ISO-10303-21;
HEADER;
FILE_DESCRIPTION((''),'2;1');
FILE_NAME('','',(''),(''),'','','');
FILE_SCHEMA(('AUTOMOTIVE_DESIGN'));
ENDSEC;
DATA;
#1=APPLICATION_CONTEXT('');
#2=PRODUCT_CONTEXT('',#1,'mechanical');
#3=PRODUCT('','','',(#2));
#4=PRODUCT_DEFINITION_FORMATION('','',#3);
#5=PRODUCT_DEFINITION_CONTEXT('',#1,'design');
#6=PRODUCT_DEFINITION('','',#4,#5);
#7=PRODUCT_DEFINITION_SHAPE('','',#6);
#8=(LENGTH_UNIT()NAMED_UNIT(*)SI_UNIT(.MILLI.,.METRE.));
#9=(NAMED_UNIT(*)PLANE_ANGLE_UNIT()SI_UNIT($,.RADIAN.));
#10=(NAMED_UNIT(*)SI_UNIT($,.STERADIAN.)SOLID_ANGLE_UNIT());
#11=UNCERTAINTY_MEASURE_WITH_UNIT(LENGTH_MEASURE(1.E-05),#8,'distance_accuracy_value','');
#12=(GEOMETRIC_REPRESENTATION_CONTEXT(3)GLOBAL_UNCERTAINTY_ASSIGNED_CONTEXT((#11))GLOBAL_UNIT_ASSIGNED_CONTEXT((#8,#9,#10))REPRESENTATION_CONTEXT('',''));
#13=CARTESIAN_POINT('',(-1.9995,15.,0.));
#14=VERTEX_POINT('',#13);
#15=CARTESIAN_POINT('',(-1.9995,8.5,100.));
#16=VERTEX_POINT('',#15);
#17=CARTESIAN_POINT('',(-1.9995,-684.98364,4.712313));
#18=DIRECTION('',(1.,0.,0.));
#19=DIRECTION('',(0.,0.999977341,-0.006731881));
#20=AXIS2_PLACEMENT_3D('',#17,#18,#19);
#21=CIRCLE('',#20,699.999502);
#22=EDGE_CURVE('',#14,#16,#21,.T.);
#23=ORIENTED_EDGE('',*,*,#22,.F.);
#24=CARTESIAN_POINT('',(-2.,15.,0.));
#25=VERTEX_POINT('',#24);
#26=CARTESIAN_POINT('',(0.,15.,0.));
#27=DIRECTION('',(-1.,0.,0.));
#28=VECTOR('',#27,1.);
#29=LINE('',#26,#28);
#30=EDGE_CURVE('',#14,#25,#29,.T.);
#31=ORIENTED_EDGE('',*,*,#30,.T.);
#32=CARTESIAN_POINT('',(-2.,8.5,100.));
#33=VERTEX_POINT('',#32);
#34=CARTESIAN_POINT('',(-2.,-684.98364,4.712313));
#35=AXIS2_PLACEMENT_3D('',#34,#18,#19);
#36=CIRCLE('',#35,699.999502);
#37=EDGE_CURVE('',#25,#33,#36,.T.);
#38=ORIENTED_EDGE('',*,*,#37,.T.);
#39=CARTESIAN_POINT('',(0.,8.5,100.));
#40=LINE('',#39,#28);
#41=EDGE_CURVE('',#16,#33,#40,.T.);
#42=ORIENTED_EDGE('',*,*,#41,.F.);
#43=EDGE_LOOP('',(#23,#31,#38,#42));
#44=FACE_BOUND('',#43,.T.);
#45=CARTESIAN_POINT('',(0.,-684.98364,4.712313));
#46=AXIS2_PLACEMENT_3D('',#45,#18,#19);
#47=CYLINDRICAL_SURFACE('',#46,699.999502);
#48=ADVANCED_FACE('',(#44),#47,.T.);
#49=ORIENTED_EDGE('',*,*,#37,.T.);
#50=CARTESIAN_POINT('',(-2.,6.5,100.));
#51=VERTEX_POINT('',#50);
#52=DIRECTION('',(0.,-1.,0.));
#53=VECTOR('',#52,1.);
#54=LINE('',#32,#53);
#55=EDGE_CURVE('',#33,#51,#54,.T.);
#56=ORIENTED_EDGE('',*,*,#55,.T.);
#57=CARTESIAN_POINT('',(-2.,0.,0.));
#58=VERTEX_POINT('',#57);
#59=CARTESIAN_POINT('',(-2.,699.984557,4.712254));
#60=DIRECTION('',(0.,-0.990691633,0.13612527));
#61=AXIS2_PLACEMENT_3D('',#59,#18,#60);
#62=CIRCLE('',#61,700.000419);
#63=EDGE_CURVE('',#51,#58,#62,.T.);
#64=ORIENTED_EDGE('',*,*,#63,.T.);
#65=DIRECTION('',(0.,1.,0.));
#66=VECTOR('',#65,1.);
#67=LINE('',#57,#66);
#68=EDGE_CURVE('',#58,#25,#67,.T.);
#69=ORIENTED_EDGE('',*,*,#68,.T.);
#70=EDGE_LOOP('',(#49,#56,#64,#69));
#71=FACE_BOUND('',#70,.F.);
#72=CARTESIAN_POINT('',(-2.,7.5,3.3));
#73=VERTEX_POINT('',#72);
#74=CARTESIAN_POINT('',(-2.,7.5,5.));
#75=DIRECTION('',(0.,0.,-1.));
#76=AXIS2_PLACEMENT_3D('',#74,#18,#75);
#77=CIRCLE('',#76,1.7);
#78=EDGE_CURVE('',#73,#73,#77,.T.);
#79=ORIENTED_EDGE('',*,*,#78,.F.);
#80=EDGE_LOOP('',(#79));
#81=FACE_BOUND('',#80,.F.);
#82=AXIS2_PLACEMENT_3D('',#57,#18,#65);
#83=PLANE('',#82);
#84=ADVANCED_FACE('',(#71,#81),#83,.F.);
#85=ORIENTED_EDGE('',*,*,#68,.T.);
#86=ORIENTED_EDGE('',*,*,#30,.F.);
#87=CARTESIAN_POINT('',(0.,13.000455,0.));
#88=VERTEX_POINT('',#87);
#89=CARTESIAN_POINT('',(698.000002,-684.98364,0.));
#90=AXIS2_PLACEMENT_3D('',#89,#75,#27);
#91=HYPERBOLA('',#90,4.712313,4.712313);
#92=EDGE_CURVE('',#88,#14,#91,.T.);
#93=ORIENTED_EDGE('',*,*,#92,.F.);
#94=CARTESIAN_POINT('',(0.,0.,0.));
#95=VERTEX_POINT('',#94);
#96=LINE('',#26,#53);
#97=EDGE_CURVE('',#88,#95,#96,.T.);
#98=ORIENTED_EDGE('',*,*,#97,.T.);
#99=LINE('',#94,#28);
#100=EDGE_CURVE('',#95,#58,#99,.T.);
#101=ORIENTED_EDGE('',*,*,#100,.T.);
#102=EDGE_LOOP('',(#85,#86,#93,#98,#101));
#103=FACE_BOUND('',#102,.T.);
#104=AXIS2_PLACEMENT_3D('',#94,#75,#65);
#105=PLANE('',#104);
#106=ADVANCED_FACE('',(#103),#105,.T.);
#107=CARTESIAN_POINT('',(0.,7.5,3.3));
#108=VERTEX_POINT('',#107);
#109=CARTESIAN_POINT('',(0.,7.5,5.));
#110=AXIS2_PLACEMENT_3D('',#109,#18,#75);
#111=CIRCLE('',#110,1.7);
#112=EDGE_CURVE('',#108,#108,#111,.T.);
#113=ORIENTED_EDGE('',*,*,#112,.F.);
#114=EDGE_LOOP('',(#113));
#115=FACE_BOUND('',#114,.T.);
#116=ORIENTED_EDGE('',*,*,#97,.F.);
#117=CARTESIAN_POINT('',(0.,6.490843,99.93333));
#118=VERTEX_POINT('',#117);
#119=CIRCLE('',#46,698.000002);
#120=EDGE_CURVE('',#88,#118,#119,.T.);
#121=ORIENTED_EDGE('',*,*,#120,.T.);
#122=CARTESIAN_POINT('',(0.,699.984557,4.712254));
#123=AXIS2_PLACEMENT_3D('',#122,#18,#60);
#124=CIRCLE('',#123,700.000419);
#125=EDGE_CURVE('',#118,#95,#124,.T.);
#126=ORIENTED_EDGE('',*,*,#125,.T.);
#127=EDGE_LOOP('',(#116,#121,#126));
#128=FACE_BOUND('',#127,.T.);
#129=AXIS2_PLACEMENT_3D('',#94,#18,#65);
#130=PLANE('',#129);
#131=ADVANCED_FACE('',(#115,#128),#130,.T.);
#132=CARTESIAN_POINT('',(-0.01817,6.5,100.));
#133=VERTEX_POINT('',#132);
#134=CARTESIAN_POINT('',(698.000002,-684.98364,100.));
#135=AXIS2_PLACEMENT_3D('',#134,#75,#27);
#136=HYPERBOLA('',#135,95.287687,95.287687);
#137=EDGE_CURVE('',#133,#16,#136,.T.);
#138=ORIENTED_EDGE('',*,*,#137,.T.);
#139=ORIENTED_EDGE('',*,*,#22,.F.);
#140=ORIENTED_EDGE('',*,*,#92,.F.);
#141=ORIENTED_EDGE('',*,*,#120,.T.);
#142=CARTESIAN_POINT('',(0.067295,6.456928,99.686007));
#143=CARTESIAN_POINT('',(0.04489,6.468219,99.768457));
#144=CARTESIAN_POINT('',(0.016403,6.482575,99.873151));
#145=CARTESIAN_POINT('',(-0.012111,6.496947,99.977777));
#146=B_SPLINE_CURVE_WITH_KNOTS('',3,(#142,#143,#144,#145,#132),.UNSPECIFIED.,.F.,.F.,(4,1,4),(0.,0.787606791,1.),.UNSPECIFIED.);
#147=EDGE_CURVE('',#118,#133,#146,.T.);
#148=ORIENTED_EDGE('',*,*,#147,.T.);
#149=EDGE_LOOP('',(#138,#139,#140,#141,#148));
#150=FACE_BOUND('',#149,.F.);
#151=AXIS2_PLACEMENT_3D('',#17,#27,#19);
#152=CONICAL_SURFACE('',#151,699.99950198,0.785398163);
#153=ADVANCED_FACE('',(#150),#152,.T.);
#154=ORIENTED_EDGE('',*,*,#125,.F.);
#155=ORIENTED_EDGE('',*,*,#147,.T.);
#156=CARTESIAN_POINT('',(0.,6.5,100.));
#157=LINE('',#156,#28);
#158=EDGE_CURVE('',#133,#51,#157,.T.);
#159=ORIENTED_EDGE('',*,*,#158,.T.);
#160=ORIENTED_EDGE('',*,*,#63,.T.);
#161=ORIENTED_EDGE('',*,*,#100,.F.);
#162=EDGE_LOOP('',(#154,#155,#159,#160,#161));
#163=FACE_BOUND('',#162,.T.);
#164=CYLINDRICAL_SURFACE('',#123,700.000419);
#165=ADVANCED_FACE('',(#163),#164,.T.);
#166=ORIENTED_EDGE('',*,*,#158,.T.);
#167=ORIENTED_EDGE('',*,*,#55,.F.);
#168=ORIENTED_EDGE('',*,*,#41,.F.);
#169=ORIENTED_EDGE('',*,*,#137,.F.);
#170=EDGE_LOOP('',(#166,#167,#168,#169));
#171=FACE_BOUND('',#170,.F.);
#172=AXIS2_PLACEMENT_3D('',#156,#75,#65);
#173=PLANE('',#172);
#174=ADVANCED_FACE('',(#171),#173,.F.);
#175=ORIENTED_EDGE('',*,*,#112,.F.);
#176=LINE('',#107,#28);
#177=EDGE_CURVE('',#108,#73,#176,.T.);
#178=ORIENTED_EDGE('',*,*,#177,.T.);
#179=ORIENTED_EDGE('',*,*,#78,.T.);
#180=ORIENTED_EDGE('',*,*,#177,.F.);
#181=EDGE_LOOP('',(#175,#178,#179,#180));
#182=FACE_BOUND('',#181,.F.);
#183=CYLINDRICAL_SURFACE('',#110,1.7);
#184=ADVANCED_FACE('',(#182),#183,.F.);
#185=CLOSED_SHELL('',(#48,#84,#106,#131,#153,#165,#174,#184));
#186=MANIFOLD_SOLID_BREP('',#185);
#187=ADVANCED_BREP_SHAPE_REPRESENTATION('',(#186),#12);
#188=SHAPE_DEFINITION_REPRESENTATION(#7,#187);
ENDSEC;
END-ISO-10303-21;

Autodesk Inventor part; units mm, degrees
ref_plane "YZ Plane" through (0, 0, 0) normal (1, 0, 0) x (0, 1, 0)
ref_plane "XZ Plane" through (0, 0, 0) normal (0, 1, 0) x (-1, 0, 0)
ref_plane "XY Plane" through (0, 0, 0) normal (0, 0, 1) x (1, 0, 0)
sketch "スケッチ1" plane through (0, 0, 0) normal (1, 0, 0) x (0, 1, 0)
  line L0 (0, 0) -> (15, 0)
  line L1 (7.5, 0) -> (7.5, 100)
  arc A0 (6.5, 100) -> (0, 0) centre (699.9841, 4.7123) ccw
  arc A1 (15, 0) -> (8.5, 100) centre (-684.9841, 4.7123) ccw
  line L2 (6.5, 100) -> (8.5, 100)
  dimension "d0" = 15
  dimension "d1" = 100
  dimension "d3" = 700
  dimension "d4" = 700
extrude "押し出し1" add sketch "スケッチ1" against normal blind 2
chamfer "面取り1" distance 2 angle 45 1 edges at (0, 13.5418, 50.1165)
sketch "スケッチ2" plane through (0, 0, 0) normal (1, 0, 0) x (0, 0, -1)
  circle A0 centre (-5, 7.5) radius 1.7
  point P0 (0, 0)
  dimension "d10" = 3.4
extrude "押し出し2" cut sketch "スケッチ2" against normal blind 2
properties part number "scissor" material "ステンレス鋼"
